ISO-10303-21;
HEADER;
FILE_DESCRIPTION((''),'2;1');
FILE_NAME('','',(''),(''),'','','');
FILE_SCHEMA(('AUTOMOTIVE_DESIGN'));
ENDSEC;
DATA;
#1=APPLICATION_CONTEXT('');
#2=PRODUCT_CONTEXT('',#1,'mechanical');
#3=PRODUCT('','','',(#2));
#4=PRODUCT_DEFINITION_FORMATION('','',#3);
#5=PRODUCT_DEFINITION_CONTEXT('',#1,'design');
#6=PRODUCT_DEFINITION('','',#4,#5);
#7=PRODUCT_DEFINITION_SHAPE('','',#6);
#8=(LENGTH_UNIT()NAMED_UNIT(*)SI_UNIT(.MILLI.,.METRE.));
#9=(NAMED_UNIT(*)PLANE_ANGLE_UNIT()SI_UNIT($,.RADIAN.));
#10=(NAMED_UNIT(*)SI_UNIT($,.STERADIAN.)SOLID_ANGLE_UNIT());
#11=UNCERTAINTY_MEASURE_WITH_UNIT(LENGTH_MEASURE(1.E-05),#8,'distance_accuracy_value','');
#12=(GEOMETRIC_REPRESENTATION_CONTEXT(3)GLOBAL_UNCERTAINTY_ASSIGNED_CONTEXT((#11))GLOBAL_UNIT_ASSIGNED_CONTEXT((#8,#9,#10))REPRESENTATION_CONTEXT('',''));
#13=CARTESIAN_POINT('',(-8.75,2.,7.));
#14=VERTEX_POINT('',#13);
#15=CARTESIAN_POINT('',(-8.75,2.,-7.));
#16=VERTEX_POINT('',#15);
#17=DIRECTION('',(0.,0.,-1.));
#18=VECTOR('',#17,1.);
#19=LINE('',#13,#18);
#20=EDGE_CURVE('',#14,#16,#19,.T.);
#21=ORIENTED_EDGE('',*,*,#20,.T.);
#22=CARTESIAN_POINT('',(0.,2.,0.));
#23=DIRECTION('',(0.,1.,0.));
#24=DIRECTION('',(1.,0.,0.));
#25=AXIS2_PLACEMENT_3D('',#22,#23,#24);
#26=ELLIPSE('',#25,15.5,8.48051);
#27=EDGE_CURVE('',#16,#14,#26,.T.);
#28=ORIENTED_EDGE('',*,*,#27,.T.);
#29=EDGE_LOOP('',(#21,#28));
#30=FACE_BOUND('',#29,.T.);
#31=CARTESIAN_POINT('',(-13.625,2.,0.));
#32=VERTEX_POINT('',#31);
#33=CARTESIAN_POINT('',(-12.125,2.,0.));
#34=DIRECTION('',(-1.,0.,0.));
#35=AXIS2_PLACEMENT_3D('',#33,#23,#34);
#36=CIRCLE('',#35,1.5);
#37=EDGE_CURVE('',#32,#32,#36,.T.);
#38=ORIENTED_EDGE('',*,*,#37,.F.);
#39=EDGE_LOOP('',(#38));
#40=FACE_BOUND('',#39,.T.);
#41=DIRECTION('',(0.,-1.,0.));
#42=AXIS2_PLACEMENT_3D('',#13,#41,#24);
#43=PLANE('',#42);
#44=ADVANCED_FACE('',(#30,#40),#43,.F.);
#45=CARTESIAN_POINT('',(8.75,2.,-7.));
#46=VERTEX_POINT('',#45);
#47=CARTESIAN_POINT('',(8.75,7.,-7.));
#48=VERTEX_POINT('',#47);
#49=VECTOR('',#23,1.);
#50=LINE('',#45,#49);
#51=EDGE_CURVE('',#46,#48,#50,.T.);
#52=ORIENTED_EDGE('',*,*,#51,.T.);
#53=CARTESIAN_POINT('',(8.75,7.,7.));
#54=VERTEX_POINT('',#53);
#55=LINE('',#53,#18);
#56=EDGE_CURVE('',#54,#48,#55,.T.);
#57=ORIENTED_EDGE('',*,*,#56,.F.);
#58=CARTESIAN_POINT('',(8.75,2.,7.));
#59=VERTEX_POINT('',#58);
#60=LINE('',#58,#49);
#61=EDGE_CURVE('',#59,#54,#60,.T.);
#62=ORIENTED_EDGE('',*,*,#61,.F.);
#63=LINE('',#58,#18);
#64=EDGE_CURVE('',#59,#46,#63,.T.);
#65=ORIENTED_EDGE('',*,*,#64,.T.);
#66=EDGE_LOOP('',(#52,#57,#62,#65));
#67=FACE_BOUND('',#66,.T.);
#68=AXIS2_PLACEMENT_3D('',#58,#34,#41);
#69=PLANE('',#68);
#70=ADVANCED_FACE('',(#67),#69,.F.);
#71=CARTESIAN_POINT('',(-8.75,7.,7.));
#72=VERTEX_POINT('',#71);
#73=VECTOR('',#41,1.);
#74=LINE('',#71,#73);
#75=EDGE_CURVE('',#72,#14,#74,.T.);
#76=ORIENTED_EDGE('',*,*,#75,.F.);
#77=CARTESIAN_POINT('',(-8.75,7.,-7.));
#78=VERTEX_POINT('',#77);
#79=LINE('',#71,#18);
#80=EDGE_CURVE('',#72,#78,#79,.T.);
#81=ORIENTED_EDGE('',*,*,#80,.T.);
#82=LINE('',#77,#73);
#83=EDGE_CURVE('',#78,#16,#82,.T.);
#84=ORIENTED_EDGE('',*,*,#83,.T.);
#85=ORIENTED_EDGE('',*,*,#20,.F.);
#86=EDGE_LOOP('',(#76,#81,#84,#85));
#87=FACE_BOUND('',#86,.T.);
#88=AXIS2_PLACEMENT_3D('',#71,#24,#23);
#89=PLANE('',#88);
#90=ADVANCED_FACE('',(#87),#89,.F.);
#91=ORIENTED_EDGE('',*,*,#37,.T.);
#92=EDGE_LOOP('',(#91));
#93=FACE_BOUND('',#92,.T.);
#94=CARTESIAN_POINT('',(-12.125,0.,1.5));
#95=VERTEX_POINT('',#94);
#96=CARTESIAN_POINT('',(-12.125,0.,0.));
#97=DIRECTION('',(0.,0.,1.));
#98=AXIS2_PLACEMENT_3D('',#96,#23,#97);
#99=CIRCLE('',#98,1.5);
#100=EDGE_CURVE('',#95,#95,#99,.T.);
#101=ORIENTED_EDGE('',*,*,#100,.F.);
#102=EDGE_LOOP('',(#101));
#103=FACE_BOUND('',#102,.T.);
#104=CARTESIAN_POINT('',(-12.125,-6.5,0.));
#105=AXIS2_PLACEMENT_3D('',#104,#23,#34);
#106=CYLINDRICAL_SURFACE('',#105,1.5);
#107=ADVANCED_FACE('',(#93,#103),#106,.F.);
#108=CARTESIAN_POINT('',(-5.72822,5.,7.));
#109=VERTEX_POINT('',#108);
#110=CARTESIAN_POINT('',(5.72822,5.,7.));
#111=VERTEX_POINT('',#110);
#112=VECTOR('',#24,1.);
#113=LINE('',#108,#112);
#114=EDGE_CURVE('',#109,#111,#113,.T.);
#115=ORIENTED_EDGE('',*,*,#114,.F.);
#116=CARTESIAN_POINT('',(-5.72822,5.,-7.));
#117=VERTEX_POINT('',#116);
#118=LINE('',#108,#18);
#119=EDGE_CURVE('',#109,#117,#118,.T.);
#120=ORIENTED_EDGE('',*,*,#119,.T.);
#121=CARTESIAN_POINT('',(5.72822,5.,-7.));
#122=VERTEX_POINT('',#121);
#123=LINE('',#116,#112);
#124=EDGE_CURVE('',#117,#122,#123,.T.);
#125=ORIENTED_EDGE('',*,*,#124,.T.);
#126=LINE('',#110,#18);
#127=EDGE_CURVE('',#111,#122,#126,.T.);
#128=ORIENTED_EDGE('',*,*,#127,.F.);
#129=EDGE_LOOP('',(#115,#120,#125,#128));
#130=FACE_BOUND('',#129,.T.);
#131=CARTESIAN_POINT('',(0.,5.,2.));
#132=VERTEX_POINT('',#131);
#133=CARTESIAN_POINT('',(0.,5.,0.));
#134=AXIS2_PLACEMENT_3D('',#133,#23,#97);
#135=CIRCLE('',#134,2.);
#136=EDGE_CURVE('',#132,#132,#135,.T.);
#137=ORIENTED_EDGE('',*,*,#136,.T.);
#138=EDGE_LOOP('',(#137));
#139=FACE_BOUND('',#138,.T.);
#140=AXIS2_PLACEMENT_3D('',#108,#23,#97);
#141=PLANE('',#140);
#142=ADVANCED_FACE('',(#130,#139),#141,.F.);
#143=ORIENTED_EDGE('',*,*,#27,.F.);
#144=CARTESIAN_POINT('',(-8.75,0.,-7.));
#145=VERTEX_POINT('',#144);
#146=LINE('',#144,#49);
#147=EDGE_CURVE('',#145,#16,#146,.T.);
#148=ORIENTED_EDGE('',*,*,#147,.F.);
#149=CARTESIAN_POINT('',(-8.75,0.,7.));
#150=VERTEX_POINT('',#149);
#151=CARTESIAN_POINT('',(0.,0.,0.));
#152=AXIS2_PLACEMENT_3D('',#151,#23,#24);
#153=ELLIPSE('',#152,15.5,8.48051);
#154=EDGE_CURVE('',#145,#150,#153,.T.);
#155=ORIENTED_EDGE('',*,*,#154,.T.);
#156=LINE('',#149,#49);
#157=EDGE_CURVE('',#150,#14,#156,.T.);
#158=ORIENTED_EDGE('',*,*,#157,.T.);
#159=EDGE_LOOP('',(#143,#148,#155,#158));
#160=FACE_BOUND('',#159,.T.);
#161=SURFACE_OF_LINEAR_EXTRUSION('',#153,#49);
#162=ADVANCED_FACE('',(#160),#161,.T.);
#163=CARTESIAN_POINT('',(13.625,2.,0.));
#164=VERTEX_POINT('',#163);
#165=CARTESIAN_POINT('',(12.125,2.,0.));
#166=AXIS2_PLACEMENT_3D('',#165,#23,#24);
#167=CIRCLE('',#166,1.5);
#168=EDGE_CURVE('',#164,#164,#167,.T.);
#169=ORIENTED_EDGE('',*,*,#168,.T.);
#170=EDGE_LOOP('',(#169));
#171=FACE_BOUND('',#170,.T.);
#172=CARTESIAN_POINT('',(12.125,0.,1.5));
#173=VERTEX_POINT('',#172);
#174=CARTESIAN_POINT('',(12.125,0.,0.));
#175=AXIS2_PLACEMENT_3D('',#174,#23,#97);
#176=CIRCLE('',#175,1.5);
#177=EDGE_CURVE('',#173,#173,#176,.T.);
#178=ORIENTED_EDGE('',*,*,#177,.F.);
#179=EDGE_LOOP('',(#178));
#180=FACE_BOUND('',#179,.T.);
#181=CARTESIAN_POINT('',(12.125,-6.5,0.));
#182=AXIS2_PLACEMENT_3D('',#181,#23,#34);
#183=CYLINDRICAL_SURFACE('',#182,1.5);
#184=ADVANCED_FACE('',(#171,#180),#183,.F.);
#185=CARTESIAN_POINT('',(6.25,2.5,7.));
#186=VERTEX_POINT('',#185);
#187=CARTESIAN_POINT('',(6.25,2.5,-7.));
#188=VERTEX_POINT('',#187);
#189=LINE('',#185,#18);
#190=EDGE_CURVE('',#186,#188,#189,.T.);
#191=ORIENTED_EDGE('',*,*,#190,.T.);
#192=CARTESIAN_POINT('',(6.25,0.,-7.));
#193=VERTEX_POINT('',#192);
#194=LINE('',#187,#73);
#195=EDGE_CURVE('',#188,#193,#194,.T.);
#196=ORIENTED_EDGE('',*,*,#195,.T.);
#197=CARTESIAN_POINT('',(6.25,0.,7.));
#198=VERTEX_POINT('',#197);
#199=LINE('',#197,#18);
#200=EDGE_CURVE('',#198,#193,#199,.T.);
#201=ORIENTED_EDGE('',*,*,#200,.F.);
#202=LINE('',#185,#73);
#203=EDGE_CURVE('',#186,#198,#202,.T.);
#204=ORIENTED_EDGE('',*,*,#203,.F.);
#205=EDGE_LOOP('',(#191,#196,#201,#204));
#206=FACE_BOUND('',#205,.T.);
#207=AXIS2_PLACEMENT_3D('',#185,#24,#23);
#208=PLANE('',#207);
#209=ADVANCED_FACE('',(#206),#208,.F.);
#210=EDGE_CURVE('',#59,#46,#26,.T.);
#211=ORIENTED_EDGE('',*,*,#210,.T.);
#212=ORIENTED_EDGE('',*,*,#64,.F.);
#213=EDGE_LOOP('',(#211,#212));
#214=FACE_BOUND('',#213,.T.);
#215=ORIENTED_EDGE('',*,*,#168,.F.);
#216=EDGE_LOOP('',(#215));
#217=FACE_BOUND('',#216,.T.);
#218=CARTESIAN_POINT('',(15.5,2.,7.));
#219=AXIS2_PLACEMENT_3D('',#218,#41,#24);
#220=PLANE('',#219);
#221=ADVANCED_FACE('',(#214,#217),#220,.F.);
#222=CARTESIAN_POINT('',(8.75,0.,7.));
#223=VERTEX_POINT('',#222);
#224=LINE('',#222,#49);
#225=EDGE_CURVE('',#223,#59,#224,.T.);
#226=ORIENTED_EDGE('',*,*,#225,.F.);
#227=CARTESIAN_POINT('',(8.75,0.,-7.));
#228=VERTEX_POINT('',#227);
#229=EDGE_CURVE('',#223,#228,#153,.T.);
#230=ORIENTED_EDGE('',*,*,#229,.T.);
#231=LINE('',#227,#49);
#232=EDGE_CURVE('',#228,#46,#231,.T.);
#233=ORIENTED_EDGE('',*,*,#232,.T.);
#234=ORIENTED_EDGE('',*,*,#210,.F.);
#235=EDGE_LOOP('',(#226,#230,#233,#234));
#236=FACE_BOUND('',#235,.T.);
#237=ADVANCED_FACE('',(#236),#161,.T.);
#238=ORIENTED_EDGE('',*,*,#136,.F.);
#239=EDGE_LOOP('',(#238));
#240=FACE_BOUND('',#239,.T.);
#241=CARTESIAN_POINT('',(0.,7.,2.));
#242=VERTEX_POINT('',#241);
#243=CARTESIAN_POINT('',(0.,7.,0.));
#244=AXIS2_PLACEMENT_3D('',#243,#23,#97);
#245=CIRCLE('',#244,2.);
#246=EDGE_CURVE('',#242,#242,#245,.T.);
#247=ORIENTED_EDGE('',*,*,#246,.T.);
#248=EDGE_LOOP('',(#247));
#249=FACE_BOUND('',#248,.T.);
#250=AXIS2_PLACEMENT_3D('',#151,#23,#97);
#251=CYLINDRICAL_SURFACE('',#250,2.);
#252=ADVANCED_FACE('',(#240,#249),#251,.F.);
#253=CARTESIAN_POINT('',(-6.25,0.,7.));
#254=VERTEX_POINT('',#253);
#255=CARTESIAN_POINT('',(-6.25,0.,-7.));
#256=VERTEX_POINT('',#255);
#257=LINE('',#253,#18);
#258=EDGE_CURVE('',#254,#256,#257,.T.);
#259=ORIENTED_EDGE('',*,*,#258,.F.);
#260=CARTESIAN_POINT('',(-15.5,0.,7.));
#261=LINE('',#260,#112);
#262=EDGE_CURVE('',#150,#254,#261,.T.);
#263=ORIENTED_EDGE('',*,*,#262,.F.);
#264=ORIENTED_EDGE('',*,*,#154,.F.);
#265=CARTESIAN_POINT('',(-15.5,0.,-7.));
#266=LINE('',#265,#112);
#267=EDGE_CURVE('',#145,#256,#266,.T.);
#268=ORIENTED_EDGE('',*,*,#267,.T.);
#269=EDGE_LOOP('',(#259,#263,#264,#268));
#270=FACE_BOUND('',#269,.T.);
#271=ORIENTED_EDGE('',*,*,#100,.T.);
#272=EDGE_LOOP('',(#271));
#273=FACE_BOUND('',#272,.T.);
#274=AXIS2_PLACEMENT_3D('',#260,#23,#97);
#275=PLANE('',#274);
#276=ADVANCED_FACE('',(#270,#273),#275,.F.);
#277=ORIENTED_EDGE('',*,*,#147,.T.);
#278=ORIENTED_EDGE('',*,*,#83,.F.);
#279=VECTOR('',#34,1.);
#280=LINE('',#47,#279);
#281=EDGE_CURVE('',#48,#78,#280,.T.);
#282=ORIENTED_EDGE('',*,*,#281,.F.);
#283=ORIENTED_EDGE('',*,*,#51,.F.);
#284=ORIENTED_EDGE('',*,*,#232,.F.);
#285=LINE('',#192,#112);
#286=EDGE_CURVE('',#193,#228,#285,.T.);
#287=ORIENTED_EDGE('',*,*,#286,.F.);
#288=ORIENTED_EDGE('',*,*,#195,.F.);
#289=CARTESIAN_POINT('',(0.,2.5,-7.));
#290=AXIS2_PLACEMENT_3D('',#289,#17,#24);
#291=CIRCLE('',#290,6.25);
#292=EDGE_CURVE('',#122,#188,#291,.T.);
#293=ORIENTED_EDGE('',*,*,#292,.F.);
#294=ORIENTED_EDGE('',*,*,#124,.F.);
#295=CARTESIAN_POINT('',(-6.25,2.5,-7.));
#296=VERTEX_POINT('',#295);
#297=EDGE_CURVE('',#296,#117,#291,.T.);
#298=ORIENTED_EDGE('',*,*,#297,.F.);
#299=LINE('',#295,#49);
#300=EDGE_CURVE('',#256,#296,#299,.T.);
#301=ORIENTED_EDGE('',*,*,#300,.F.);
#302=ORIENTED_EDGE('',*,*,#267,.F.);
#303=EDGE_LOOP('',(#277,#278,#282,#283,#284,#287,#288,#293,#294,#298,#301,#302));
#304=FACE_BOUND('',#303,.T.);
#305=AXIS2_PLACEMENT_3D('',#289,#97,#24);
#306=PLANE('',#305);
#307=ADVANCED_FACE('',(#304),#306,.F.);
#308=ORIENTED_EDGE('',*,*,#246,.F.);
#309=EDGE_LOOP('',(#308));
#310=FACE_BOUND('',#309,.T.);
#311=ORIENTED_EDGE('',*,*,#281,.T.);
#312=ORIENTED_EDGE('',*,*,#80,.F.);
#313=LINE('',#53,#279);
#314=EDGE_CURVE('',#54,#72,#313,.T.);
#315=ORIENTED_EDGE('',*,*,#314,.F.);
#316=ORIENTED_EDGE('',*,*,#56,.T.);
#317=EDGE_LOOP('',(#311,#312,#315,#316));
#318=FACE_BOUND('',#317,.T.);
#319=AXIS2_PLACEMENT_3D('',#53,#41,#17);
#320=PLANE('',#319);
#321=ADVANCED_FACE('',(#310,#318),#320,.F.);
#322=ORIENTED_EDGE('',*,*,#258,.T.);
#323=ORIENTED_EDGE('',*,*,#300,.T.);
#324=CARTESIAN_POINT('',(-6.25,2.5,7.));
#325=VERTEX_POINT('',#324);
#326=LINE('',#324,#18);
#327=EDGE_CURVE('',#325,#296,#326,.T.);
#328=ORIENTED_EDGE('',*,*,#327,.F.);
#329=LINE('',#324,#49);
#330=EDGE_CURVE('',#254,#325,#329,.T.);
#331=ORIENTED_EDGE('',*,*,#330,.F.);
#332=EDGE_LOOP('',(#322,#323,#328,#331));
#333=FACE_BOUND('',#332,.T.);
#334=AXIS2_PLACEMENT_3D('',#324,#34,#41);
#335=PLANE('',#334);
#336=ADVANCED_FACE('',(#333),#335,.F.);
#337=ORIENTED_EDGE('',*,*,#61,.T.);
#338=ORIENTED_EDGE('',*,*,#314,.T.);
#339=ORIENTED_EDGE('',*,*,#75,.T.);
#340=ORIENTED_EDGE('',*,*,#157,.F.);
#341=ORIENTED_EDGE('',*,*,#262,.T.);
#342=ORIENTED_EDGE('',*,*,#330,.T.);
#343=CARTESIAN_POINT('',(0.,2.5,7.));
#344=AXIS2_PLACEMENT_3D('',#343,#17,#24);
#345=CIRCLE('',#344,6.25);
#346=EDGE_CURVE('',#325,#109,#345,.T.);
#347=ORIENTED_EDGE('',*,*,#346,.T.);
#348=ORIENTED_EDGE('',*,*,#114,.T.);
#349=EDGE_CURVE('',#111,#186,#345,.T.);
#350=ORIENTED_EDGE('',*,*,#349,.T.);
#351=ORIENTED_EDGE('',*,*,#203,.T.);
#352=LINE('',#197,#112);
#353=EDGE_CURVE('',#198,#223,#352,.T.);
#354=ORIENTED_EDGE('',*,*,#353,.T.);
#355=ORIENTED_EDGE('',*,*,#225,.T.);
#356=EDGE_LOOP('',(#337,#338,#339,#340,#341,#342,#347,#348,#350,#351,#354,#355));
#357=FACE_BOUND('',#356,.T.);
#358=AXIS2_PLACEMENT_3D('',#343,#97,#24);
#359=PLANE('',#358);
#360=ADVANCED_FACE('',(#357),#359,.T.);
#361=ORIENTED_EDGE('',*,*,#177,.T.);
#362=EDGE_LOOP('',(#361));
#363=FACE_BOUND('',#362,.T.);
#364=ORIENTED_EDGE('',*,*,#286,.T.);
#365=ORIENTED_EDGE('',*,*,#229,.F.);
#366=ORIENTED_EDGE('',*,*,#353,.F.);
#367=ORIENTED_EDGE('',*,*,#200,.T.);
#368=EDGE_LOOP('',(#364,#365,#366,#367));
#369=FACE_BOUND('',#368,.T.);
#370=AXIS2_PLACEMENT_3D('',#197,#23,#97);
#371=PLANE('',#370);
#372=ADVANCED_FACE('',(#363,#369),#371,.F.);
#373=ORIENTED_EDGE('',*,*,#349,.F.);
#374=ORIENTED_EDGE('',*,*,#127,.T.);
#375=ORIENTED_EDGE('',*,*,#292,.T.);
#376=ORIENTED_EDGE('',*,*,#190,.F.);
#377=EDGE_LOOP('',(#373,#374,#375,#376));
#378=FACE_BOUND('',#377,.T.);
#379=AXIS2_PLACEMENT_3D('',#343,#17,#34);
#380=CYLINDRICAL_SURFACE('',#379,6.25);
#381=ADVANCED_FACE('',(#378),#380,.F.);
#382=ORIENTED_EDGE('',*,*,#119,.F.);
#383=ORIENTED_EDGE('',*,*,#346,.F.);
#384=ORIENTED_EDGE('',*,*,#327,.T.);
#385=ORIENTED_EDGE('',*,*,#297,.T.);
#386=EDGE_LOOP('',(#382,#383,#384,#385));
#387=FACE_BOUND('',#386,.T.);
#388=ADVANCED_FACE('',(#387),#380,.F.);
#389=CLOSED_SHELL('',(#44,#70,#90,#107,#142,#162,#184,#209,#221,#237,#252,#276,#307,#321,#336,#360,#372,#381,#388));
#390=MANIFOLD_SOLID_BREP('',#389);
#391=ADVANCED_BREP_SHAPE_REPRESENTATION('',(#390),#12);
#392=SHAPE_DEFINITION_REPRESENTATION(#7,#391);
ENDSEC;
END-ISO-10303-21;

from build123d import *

# Parameters (mm, degrees)
BOSS_EXTRU_1_DEPTH      = 7
ESQUISSE3_R             = 1.5
ENL_V_MAT_EXTRU_2_DEPTH = 8.5
ESQUISSE4_R             = 2
ENL_V_MAT_EXTRU_3_DEPTH = 19.391574158
ENL_V_MAT_EXTRU_4_DEPTH = 18.727097901


with BuildPart() as part:
    # Esquisse1 → Boss.-Extru.1 (new, symmetric)
    with BuildSketch(Plane.XY):
        with BuildLine():
            Line((-15.5, 0), (-6.25, 0))
            Line((-6.25, 0), (-6.25, 2.5))
            ThreePointArc((-6.25, 2.5), (-6.118164456, 3.776935273), (-5.728219619, 5))
            Line((-5.728219619, 5), (5.728219619, 5))
            ThreePointArc((5.728219619, 5), (6.118164456, 3.776935273), (6.25, 2.5))
            Line((6.25, 2.5), (6.25, 0))
            Line((6.25, 0), (15.5, 0))
            Line((15.5, 0), (15.5, 2))
            Line((15.5, 2), (8.75, 2))
            Line((8.75, 2), (8.75, 7))
            Line((8.75, 7), (-8.75, 7))
            Line((-8.75, 7), (-8.75, 2))
            Line((-8.75, 2), (-15.5, 2))
            Line((-15.5, 2), (-15.5, 0))
        make_face()
    extrude(amount=BOSS_EXTRU_1_DEPTH, both=True)

    # Esquisse3 → Enlèv. mat.-Extru.2 (cut)
    with BuildSketch(Plane(origin=(0, 2, 0), x_dir=(1, 0, 0), z_dir=(0, 1, 0))):
        with Locations(Location((-12.125, 0, 0), (0, 0, 180))):
            Circle(ESQUISSE3_R)
        with Locations(Location((12.125, 0, 0), (0, 0, 270))):
            Circle(ESQUISSE3_R)
    extrude(amount=-ENL_V_MAT_EXTRU_2_DEPTH, mode=Mode.SUBTRACT)

    # Esquisse4 → Enlèv. mat.-Extru.3 (cut, through all)
    with BuildSketch(Plane(origin=(0, 7, 0), x_dir=(1, 0, 0), z_dir=(0, 1, 0))):
        with Locations(Location((0, 0, 0), (0, 0, 270))):
            Circle(ESQUISSE4_R)
    extrude(amount=-ENL_V_MAT_EXTRU_3_DEPTH, mode=Mode.SUBTRACT)

    # Esquisse5 → Enlèv. mat.-Extru.4 (cut, through all)
    with BuildSketch(Plane(origin=(0, 2, 0), x_dir=(1, 0, 0), z_dir=(0, 1, 0))):
        with BuildLine():
            add(Edge.make_bspline(
                [(-8.75, 7), (-15.499999991, 4.474226807), (-15.5, 9e-09)],
                knots=[2.170643252, 2.170643252, 2.170643252, 3.141592653, 3.141592653, 3.141592653], degree=2, weights=[1, 0.88445354, 1]))
            Line((-8.75, 7), (-15.5, 7))
            Line((-15.5, 7), (-15.5, 9e-09))
        make_face()
        with BuildLine():
            Line((15.5, 7), (8.75, 7))
            add(Edge.make_bspline(
                [(15.5, 0), (15.5, 4.474226804), (8.75, 7)],
                knots=[0, 0, 0, 0.970949401, 0.970949401, 0.970949401], degree=2, weights=[1, 0.88445354, 1]))
            Line((15.5, 0), (15.5, 7))
        make_face()
        with BuildLine():
            add(Edge.make_bspline(
                [(-15.5, 9e-09), (-15.500000009, -4.474226801), (-8.75, -7)],
                knots=[3.141592653, 3.141592653, 3.141592653, 4.112542055, 4.112542055, 4.112542055], degree=2, weights=[1, 0.88445354, 1]))
            Line((-15.5, 9e-09), (-15.5, -7))
            Line((-15.5, -7), (-8.75, -7))
        make_face()
        with BuildLine():
            Line((15.5, -7), (15.5, 0))
            add(Edge.make_bspline(
                [(8.75, -7), (15.5, -4.474226804), (15.5, 0)],
                knots=[5.312235906, 5.312235906, 5.312235906, 6.283185307, 6.283185307, 6.283185307], degree=2, weights=[1, 0.88445354, 1]))
            Line((8.75, -7), (15.5, -7))
        make_face()
    extrude(amount=-ENL_V_MAT_EXTRU_4_DEPTH, mode=Mode.SUBTRACT)


solid = part.part
